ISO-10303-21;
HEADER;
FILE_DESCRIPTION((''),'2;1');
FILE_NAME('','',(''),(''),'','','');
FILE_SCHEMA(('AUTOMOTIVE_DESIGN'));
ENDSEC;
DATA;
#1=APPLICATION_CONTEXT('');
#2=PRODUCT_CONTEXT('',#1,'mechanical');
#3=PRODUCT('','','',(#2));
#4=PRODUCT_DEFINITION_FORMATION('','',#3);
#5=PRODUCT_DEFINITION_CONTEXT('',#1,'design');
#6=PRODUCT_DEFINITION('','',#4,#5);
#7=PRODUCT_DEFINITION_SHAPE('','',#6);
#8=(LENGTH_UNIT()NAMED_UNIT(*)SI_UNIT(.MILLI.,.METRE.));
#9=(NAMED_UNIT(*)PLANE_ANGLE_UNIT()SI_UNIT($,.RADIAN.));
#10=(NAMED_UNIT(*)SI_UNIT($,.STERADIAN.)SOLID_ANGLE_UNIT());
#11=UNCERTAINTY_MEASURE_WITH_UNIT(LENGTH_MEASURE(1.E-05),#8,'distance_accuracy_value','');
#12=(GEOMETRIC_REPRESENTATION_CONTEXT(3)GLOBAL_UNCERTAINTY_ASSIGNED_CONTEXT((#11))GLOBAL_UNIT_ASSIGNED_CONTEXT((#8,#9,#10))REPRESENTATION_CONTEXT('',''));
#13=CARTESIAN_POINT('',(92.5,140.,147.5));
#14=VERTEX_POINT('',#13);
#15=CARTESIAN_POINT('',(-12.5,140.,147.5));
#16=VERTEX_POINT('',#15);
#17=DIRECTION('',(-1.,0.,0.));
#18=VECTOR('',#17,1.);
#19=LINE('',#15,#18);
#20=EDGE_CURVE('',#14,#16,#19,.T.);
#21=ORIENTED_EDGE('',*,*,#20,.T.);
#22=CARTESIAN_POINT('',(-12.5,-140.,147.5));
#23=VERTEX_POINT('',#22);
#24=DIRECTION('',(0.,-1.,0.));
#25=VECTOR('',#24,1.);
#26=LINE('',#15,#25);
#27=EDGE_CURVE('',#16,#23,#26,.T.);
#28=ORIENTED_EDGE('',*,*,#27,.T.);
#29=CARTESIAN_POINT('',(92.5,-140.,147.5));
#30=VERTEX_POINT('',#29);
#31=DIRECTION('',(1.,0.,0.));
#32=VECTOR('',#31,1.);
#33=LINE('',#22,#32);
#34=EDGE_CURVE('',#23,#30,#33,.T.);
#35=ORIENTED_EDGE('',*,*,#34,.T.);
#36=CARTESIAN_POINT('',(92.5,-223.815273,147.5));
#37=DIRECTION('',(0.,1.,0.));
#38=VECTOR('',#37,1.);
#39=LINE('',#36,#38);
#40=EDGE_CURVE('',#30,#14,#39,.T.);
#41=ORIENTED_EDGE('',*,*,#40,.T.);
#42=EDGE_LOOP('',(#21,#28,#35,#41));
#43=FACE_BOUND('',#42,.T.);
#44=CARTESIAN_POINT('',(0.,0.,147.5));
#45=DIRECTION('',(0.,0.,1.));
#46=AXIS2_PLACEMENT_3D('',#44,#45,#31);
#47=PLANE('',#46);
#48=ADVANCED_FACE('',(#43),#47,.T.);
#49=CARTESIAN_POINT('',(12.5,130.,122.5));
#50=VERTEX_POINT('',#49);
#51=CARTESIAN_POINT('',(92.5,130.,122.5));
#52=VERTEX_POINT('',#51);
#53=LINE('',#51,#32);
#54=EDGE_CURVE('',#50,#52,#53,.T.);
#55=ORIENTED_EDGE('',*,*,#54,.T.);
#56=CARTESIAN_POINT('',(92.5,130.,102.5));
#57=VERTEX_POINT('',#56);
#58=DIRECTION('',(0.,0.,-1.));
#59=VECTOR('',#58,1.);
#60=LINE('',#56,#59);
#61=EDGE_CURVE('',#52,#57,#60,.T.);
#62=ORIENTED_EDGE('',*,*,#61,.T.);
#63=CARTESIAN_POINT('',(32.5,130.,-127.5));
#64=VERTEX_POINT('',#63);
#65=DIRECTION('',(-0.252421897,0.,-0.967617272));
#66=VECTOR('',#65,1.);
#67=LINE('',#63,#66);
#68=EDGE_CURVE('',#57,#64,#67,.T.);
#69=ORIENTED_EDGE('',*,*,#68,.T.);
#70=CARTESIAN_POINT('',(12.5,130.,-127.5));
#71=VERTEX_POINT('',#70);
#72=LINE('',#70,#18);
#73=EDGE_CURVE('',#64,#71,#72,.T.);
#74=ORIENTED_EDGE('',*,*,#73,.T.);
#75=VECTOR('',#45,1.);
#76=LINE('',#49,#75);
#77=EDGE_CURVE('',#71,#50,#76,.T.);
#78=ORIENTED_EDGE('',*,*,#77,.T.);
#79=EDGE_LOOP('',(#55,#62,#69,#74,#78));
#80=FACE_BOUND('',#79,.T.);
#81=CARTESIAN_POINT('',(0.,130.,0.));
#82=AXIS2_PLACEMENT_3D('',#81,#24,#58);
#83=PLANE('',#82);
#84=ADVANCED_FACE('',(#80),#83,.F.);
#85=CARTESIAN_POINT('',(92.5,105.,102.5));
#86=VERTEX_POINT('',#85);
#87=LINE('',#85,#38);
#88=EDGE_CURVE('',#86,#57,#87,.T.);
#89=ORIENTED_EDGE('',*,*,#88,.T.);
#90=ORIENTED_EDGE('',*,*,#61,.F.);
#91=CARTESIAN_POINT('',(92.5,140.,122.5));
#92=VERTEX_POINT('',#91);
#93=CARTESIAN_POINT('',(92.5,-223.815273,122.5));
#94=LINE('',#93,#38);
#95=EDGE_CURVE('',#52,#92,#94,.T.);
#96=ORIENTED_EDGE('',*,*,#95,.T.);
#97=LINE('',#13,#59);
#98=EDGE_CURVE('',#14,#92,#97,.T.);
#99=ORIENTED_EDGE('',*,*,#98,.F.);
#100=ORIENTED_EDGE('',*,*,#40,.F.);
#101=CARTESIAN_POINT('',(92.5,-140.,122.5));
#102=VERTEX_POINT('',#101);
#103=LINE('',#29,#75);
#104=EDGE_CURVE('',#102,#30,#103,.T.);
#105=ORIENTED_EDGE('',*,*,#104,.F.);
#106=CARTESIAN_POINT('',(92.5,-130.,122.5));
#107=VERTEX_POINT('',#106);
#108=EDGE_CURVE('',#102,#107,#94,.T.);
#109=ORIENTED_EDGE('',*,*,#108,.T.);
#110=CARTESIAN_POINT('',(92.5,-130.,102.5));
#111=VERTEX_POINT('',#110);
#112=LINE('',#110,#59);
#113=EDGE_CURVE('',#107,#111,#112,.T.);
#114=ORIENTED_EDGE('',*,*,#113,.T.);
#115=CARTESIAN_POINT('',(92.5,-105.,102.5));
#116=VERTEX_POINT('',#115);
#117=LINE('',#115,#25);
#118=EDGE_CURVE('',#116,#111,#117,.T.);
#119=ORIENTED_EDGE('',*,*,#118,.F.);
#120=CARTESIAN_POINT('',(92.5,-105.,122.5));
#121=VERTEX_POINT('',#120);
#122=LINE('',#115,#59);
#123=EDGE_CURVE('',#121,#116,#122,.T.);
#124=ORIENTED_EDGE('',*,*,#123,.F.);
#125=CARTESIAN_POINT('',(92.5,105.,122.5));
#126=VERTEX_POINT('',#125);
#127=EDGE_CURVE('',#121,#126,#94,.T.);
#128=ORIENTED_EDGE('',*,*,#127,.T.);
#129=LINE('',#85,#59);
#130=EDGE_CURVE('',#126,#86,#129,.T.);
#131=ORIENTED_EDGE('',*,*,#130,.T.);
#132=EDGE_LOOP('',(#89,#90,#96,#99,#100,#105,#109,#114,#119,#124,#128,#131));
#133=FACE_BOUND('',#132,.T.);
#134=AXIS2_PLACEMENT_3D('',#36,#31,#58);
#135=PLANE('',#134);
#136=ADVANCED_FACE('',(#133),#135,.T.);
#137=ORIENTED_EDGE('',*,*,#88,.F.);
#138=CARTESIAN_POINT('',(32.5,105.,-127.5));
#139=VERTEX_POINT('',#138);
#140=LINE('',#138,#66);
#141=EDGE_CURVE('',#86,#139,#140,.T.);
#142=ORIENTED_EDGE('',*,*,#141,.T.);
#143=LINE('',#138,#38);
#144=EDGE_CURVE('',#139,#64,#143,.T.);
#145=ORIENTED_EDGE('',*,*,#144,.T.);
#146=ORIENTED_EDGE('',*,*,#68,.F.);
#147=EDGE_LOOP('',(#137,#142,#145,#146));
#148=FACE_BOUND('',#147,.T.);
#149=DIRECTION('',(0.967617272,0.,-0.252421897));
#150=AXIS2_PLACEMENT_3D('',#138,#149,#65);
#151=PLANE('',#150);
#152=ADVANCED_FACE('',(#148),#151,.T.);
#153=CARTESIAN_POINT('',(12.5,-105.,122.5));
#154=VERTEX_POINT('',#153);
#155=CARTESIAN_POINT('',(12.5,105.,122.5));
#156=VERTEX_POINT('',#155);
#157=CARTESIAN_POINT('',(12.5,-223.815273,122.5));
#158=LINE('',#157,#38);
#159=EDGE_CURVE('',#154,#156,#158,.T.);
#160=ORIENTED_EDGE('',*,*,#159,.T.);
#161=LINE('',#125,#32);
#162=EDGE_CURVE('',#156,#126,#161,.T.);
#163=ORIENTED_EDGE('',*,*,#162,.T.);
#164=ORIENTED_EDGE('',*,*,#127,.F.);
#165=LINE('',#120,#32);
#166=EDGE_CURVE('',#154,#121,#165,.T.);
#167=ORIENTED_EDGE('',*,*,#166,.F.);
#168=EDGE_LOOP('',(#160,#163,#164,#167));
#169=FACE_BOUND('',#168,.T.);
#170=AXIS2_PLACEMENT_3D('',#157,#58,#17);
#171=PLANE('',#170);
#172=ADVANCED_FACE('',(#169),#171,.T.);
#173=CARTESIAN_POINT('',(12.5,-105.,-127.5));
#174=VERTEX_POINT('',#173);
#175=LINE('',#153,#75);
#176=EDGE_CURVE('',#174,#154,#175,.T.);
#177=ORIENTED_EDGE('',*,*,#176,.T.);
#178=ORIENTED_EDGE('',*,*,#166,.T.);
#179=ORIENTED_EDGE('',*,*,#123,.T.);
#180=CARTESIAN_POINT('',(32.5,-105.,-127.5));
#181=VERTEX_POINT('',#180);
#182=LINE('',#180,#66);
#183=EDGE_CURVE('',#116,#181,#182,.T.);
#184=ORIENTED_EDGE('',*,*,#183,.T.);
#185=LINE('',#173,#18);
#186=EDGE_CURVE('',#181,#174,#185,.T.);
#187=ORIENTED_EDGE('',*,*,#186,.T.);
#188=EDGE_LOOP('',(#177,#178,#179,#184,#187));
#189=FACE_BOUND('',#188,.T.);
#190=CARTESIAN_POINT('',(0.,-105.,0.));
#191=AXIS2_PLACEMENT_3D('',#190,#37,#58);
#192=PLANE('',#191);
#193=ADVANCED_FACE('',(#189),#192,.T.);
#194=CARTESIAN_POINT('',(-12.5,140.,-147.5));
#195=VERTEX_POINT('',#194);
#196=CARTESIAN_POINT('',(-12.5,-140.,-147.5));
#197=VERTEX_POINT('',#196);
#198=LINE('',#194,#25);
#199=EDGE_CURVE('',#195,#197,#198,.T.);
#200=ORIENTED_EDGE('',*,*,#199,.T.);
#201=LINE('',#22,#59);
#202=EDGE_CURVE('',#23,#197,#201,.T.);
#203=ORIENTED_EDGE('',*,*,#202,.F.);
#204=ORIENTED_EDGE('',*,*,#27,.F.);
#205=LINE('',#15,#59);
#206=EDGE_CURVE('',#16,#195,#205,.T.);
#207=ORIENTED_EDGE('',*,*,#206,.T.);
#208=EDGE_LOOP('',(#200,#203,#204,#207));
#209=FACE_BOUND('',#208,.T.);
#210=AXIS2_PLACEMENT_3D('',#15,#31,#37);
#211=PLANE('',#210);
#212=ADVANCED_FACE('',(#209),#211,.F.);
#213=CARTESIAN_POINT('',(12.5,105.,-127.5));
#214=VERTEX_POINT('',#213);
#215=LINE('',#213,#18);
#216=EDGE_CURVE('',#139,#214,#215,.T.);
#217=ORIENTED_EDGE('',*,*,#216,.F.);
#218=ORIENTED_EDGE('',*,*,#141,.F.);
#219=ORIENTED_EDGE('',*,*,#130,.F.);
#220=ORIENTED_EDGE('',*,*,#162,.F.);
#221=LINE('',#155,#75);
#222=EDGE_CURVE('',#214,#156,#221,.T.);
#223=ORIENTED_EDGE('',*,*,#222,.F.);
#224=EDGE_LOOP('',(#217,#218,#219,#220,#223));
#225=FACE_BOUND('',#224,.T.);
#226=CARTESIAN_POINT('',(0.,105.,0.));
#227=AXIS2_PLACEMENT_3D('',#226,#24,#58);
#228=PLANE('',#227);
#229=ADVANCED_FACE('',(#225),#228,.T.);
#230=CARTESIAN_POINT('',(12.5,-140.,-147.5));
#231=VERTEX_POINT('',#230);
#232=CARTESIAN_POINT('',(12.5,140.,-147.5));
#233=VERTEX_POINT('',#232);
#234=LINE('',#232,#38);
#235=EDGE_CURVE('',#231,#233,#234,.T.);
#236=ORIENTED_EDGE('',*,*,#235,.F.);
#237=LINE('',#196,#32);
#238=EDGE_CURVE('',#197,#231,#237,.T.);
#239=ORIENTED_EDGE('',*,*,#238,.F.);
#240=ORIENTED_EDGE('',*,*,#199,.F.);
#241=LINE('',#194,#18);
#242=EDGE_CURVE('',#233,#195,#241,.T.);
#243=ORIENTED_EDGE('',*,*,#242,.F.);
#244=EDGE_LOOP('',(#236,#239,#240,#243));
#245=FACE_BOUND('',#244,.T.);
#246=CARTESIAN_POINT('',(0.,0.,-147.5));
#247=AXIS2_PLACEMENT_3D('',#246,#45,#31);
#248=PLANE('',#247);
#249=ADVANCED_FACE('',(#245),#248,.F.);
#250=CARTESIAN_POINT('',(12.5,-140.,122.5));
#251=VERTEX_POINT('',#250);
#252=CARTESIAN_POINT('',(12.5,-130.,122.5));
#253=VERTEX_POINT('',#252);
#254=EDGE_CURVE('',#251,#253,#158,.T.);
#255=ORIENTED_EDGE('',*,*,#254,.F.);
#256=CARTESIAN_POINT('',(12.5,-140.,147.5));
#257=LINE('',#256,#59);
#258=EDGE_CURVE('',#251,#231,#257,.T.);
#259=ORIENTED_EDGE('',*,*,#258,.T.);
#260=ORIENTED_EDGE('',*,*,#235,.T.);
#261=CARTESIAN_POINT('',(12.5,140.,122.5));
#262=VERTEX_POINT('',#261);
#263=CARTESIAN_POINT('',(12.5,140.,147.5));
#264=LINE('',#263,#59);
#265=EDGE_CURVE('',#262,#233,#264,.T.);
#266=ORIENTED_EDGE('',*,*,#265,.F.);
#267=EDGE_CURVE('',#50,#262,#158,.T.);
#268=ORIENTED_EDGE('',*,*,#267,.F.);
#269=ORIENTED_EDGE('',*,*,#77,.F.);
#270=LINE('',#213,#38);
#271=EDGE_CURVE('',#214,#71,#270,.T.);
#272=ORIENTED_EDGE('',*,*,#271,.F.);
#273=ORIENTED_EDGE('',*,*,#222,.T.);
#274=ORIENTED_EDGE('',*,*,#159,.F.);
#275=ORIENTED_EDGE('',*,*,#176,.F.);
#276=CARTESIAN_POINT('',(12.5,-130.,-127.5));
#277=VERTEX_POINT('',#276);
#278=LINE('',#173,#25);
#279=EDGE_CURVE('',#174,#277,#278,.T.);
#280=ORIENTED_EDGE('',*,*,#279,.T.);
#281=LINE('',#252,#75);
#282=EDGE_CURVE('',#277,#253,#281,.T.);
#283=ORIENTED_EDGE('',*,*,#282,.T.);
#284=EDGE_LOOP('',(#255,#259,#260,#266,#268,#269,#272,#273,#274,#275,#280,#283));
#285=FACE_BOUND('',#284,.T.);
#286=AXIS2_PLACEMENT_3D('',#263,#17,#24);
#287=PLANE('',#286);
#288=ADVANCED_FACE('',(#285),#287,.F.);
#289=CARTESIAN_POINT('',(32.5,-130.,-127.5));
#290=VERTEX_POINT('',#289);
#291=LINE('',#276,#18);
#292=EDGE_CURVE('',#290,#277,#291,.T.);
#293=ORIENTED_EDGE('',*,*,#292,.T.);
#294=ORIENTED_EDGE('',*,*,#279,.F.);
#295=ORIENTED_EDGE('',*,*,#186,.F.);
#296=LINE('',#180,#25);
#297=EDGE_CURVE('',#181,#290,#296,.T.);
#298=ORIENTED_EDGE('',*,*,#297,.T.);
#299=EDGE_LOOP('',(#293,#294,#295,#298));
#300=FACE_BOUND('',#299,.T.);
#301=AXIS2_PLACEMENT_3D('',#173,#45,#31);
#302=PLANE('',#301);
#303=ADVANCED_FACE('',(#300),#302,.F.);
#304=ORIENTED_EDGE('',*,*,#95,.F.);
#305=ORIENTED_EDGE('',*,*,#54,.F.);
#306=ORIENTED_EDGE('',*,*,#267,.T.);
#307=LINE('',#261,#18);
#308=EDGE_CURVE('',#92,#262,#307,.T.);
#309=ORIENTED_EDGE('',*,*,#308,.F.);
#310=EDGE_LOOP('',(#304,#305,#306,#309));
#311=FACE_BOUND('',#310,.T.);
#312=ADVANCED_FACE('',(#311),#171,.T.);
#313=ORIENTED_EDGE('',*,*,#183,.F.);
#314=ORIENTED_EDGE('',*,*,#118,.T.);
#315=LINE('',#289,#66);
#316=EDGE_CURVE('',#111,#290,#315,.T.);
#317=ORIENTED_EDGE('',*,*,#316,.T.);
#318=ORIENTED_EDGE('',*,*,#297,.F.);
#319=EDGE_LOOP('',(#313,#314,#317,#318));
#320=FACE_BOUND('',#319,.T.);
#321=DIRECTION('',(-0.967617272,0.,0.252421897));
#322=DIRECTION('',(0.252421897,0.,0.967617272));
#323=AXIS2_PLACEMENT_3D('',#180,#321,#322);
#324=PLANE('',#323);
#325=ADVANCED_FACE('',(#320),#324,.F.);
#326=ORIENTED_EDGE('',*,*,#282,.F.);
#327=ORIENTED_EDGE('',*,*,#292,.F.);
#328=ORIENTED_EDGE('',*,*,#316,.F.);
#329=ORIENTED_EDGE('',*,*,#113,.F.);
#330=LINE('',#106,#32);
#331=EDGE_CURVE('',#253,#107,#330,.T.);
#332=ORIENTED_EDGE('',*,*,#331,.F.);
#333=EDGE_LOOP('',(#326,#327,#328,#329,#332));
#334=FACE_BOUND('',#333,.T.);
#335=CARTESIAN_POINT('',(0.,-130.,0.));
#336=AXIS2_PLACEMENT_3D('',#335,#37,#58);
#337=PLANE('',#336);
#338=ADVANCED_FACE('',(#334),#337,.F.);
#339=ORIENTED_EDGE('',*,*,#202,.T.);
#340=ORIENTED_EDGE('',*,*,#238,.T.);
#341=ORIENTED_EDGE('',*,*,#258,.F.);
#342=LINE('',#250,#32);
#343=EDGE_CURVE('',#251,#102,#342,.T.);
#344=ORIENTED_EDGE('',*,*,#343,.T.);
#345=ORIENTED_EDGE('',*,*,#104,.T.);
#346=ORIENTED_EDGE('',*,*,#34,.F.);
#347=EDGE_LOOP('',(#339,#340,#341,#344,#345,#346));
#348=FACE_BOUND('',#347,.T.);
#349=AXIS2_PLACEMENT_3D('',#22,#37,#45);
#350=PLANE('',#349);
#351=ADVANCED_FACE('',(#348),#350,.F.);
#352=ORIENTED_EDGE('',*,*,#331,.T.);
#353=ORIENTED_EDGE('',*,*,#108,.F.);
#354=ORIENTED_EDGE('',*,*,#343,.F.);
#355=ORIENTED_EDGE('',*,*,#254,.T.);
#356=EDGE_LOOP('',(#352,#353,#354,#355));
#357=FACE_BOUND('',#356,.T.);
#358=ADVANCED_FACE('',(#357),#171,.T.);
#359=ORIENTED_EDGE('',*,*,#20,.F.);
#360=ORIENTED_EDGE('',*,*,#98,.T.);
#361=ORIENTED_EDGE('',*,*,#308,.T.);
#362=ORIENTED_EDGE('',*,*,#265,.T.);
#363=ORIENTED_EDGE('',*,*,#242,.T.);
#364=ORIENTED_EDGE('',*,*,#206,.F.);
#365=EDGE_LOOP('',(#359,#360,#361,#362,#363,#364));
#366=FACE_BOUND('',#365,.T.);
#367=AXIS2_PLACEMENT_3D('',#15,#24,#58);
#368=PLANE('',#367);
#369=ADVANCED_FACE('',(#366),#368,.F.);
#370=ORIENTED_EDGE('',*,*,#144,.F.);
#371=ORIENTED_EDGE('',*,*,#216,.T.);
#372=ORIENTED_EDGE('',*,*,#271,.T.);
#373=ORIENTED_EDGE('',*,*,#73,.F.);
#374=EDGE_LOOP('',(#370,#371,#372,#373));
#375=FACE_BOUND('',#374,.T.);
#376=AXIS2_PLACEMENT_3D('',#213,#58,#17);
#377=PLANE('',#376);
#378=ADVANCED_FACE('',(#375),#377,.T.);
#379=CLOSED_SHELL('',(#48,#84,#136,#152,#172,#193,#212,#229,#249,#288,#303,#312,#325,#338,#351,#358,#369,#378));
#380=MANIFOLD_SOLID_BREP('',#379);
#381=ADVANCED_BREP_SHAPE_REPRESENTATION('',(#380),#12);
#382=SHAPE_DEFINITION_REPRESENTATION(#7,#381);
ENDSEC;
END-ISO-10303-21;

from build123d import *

# Parameters (mm, degrees)
SKETCH_1_W      = 25
SKETCH_1_H      = 280
EXTRUDE_1_DEPTH = 147.5
SKETCH_2_W      = 80
SKETCH_2_H      = 25
EXTRUDE_2_DEPTH = 280
EXTRUDE_3_DEPTH = 25


with BuildPart() as part:
    # 草图1 → 凸台-拉伸1 (new, symmetric)
    with BuildSketch(Plane.XY):
        Rectangle(SKETCH_1_W, SKETCH_1_H)
    extrude(amount=EXTRUDE_1_DEPTH, both=True)

    # 草图2 → 凸台-拉伸2 (add)
    with BuildSketch(Plane(origin=(0, 140, 0), x_dir=(1, 0, 0), z_dir=(0, 1, 0))):
        with Locations((52.5, -135)):
            Rectangle(SKETCH_2_W, SKETCH_2_H)
    extrude(amount=-EXTRUDE_2_DEPTH)

    # 草图4 → 凸台-拉伸3 (add)
    with BuildSketch(Plane(origin=(0, 130, 0), x_dir=(1, 0, 0), z_dir=(0, 1, 0))):
        Polygon((12.5, 127.5), (32.5, 127.5), (92.5, -102.5), (92.5, -122.5), (12.5, -122.5), align=None)
    extrude_3 = extrude(amount=-EXTRUDE_3_DEPTH)

    # 镜向1: 凸台-拉伸3 across plane
    add(extrude_3.mirror(Plane.ZX))


solid = part.part
